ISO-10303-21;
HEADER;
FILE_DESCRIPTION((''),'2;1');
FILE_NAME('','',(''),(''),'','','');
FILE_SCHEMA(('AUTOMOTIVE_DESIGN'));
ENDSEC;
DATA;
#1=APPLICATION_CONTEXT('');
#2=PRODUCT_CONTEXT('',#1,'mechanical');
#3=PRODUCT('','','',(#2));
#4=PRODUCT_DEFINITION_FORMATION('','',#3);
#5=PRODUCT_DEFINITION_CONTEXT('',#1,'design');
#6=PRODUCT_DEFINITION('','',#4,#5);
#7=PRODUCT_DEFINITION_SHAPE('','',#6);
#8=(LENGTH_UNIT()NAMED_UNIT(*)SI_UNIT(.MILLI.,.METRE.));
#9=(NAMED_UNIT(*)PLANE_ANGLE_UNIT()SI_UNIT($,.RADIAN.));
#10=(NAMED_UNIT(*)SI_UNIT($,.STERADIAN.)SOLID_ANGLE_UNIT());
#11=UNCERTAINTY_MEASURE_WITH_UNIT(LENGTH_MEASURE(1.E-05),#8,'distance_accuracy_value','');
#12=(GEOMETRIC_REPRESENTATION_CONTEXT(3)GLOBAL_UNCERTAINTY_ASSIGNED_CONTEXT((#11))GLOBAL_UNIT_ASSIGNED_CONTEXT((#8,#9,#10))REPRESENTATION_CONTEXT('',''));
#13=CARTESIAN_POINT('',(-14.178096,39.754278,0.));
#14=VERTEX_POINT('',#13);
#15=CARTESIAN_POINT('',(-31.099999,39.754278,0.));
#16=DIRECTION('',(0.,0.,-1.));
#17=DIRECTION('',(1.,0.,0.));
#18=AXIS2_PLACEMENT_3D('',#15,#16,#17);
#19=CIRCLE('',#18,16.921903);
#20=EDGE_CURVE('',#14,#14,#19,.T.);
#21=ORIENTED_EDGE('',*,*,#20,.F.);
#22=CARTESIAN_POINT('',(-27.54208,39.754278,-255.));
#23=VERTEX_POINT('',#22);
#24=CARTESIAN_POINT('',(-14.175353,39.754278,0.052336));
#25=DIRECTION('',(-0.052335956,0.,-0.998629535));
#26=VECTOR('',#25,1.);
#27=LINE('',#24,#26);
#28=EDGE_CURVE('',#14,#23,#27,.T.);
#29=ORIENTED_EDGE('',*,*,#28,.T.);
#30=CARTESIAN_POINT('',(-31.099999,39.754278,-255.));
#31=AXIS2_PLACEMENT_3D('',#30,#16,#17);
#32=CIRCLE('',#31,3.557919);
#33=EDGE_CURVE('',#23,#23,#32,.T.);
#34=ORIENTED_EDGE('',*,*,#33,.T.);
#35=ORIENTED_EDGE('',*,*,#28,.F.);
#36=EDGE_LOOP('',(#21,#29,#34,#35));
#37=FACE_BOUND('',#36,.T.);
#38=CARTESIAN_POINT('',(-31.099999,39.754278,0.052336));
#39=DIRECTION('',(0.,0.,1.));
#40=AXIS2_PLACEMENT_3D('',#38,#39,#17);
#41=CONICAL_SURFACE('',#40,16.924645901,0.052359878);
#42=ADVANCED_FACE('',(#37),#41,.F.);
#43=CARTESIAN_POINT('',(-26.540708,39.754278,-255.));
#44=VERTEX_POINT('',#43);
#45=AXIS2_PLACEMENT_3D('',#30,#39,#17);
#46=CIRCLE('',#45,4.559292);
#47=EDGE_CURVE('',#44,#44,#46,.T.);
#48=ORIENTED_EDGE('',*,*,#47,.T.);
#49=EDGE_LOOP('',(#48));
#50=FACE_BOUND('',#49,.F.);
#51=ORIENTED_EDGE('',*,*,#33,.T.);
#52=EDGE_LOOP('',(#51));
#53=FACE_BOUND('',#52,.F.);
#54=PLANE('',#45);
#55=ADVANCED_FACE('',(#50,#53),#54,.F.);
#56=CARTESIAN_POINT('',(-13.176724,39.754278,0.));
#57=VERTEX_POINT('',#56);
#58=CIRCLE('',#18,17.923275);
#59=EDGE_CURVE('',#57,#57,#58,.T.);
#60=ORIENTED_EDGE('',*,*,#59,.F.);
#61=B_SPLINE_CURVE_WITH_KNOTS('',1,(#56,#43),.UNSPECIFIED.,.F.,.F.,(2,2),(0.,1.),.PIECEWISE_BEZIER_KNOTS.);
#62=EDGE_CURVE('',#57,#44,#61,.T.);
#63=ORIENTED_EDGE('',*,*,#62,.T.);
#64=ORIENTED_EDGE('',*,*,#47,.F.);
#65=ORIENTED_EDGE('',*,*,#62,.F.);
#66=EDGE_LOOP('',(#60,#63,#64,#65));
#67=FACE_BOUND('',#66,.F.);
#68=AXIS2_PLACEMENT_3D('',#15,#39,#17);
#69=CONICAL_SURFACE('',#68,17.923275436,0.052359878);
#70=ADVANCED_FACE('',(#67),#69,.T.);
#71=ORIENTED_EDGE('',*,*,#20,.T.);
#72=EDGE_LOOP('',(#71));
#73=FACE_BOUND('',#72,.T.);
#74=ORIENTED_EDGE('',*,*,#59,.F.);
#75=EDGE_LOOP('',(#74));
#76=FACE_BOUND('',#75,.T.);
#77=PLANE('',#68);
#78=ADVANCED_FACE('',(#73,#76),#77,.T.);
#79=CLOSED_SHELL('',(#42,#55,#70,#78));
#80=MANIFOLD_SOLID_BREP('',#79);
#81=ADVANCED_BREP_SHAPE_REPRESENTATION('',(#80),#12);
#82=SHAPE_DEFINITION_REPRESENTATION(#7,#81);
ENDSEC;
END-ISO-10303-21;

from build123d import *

# Parameters (mm, degrees)
F0_R     = 17.9232754356
F1_DEPTH = 255
F1_TAPER = 3
F2_T     = -1


with BuildPart() as f1:
    # F0 (on Top) → F1 (new body)
    with BuildSketch(Plane.XY):
        with Locations((-31.0999993235, 39.7542779635)):
            Circle(F0_R)
    extrude(amount=-F1_DEPTH, taper=F1_TAPER)

    # F2
    f2_openings = [f1.faces().sort_by_distance(p)[0] for p in [
        (-31.099999, 39.754278, 0),
        (-31.099999, 39.754278, -255),
    ]]
    offset(amount=F2_T, openings=f2_openings, kind=Kind.INTERSECTION)


solid = f1.part
